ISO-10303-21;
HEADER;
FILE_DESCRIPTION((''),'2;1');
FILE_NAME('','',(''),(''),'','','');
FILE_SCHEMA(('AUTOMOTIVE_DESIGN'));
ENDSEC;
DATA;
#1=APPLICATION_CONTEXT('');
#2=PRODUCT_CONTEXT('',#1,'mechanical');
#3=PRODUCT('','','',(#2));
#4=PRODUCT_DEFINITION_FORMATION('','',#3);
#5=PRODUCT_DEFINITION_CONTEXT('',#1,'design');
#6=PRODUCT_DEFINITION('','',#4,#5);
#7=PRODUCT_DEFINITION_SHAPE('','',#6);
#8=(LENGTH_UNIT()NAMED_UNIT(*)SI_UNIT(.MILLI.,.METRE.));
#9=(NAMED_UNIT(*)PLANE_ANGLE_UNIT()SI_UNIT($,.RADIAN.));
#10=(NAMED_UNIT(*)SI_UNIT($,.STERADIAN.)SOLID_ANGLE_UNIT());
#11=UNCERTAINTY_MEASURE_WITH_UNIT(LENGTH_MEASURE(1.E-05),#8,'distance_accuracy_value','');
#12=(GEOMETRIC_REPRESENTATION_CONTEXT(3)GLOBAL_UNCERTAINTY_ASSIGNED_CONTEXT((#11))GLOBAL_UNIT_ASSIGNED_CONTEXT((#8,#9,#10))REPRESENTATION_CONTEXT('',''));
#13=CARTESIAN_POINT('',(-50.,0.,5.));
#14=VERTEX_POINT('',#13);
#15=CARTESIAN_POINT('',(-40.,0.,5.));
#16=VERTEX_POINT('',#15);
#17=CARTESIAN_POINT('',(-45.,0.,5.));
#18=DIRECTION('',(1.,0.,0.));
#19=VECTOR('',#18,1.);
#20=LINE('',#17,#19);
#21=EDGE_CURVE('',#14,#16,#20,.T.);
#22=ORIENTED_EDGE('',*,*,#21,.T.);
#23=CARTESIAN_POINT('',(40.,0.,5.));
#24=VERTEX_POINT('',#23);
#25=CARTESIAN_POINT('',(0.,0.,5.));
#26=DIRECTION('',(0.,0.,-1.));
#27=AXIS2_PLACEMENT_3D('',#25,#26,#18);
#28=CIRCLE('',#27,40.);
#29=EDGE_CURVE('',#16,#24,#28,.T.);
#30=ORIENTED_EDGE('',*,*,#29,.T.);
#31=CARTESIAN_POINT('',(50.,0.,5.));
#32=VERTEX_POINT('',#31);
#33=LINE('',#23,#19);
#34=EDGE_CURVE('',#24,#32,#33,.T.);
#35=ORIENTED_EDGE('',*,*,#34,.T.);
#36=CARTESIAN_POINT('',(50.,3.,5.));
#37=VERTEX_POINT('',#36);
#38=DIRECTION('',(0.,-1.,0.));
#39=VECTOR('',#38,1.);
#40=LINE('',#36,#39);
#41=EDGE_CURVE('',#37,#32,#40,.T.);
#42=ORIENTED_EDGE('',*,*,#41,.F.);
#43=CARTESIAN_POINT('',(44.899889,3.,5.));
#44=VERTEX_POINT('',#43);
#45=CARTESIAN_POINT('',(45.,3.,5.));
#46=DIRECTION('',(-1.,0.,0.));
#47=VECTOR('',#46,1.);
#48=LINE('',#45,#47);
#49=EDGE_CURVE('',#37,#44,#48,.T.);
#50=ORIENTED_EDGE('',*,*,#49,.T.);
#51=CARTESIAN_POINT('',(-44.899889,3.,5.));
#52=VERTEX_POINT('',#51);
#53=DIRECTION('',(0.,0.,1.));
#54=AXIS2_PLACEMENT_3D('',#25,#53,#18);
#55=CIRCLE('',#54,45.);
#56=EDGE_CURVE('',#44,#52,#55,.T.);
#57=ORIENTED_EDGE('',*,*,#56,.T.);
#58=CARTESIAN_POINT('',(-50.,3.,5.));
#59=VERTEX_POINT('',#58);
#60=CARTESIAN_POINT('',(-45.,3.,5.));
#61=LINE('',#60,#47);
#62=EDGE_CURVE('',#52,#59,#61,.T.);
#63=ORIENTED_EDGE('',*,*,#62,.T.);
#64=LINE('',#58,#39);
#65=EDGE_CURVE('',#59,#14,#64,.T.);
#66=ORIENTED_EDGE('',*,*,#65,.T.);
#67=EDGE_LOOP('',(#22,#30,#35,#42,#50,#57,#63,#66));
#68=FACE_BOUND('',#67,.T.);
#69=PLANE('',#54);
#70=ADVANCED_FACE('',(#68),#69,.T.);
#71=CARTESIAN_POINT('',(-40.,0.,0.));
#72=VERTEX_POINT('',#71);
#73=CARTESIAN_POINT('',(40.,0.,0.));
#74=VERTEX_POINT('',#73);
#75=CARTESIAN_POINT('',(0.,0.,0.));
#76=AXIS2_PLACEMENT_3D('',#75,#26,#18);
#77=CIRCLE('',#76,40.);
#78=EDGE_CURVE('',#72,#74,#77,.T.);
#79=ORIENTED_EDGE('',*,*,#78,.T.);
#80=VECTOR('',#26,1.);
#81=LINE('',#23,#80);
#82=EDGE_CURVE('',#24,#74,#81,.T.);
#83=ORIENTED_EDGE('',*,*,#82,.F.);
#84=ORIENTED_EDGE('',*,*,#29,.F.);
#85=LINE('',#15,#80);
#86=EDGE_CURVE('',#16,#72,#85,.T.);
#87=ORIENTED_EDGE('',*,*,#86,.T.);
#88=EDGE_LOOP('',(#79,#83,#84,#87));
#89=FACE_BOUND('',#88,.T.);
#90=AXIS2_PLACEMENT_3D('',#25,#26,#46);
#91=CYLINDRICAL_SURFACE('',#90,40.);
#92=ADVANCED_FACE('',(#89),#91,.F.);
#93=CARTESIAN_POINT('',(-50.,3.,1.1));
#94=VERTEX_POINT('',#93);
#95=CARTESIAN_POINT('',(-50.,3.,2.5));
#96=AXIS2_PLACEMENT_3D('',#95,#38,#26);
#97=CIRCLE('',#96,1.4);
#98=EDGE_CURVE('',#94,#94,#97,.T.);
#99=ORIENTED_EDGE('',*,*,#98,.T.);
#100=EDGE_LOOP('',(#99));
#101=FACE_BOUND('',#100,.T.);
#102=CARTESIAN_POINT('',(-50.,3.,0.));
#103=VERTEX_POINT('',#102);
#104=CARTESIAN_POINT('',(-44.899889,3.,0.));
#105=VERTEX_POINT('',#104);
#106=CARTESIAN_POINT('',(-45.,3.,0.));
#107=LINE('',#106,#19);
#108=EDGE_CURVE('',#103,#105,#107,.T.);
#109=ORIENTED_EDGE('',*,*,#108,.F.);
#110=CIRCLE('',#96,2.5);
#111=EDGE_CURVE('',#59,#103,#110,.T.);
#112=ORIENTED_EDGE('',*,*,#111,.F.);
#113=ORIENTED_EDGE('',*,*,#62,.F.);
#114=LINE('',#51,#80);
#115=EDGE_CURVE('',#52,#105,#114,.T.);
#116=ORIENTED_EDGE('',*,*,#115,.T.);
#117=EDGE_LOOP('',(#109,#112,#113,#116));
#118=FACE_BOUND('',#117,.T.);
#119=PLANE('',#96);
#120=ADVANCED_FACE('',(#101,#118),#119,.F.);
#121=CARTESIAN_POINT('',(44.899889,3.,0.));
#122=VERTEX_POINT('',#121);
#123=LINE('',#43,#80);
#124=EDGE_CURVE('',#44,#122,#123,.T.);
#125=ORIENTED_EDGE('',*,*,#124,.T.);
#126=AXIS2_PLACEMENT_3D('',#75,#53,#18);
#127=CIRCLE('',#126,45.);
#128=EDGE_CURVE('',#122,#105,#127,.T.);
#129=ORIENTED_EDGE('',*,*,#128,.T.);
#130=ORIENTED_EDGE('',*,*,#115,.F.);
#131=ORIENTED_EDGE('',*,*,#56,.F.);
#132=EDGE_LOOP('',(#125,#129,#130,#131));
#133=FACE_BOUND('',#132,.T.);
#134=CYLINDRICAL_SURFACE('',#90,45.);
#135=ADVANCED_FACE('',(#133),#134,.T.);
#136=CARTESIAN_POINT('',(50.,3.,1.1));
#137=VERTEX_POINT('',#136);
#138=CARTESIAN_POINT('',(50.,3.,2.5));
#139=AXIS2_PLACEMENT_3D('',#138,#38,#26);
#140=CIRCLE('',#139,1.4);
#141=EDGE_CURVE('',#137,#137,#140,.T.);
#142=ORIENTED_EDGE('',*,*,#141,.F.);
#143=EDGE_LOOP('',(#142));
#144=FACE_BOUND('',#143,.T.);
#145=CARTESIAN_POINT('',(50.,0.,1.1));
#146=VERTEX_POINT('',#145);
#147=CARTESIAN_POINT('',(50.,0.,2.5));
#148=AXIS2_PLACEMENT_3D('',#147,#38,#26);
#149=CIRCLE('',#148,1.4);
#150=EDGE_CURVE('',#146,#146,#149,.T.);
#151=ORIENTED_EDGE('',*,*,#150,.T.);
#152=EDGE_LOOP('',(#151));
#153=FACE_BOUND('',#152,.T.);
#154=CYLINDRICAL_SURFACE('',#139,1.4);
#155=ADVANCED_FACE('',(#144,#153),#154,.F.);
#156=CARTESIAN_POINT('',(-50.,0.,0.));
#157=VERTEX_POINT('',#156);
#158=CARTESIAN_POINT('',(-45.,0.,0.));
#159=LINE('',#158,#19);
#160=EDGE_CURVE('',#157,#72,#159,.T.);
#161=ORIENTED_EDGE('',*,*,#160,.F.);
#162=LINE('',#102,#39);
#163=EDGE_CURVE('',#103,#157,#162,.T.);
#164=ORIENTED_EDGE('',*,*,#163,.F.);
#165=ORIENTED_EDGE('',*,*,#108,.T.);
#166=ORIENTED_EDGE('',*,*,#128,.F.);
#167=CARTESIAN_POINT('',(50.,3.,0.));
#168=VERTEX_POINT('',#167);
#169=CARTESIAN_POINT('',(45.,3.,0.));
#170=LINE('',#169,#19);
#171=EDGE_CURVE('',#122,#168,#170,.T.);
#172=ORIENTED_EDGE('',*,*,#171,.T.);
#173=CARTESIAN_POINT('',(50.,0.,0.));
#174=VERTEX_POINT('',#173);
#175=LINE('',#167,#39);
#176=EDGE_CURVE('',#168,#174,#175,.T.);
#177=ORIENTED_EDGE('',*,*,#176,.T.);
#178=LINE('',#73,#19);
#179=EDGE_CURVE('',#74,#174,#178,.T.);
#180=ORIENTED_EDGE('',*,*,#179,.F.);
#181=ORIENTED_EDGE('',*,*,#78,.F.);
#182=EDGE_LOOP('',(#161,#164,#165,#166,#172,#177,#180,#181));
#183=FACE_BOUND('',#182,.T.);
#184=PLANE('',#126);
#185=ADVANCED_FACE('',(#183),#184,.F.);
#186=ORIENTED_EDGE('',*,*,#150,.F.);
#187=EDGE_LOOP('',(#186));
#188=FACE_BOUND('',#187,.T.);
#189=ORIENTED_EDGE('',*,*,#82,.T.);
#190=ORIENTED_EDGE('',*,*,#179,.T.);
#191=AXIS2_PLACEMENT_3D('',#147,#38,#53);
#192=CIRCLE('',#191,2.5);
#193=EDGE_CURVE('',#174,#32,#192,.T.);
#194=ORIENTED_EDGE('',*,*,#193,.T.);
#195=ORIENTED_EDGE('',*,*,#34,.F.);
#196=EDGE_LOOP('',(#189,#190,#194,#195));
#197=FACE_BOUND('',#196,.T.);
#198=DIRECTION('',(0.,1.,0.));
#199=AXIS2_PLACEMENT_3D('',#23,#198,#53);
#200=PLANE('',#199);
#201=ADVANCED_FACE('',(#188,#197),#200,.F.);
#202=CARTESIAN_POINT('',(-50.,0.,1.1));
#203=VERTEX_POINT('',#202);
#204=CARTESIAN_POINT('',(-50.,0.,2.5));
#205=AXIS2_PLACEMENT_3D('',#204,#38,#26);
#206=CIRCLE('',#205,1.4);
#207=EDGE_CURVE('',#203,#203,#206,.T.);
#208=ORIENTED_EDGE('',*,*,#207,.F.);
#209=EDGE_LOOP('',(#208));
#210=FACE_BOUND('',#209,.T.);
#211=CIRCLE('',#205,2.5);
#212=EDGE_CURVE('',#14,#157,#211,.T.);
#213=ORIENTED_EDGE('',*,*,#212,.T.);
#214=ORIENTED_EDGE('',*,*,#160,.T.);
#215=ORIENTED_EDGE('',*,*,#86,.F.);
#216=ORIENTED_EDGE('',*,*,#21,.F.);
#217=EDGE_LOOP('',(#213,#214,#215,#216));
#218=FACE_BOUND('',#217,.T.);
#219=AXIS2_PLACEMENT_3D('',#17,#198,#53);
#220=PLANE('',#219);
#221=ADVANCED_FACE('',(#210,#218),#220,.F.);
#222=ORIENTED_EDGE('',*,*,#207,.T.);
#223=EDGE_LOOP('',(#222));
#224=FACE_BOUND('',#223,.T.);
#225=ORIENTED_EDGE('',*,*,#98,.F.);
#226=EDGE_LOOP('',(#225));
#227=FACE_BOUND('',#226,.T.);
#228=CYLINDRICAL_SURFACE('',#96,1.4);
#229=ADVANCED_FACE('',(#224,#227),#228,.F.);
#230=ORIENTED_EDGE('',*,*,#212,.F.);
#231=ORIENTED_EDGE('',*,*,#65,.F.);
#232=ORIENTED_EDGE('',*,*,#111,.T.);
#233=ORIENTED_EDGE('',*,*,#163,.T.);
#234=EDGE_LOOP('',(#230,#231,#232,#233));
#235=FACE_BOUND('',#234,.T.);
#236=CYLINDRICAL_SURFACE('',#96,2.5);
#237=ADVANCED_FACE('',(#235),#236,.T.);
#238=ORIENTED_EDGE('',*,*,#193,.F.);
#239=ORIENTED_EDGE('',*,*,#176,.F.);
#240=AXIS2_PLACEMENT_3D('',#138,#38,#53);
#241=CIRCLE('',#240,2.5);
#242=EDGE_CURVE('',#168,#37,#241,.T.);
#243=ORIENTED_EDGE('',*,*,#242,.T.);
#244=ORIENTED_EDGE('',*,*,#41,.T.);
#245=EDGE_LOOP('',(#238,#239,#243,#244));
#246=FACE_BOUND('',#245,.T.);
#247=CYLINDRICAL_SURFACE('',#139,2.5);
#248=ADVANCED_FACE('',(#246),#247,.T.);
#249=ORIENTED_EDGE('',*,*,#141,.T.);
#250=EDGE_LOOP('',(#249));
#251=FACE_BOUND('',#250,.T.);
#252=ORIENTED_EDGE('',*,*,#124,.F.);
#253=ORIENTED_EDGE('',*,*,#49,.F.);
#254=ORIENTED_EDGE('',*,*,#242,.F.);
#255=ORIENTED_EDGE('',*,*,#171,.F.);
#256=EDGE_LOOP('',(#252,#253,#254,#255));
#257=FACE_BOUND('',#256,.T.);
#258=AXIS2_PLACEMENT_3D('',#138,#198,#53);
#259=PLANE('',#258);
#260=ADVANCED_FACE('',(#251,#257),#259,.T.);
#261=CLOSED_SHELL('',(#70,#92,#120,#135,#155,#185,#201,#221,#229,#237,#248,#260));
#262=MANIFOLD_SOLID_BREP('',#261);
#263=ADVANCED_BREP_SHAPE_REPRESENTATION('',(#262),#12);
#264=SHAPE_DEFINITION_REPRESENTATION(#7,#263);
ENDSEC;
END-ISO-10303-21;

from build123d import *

# Parameters (mm, degrees)
EXTRUDE_1_DEPTH = 5
SKETCH_2_R      = 1.4
EXTRUDE_2_DEPTH = 3


with BuildPart() as part:
    # 草图1 → 凸台-拉伸1 (new body)
    with BuildSketch(Plane.XY):
        with BuildLine():
            Line((-45, 0), (-40, 0))
            ThreePointArc((-40, 0), (0, 40), (40, 0))
            Line((40, 0), (45, 0))
            ThreePointArc((45, 0), (0, 45), (-45, 0))
        make_face()
    extrude(amount=EXTRUDE_1_DEPTH)

    # 草图2 → 凸台-拉伸2 (add)
    with BuildSketch(Plane.XZ):
        with BuildLine():
            Line((-45, 5), (-50, 5))
            ThreePointArc((-50, 5), (-52.5, 2.5), (-50, 0))
            Line((-50, 0), (-45, 0))
            Line((-45, 0), (-44.132295493, 0))
            Line((-44.132295493, 0), (-44.132295493, 5))
            Line((-44.132295493, 5), (-45, 5))
        make_face()
        with Locations((-50, 2.5)):
            Circle(SKETCH_2_R, mode=Mode.SUBTRACT)
        with BuildLine():
            Line((44.132295493, 5), (44.132295493, 0))
            Line((44.132295493, 0), (45, 0))
            Line((45, 0), (50, 0))
            ThreePointArc((50, 0), (52.5, 2.5), (50, 5))
            Line((50, 5), (45, 5))
            Line((45, 5), (44.132295493, 5))
        make_face()
        with Locations((50, 2.5)):
            Circle(SKETCH_2_R, mode=Mode.SUBTRACT)
    extrude(amount=-EXTRUDE_2_DEPTH)


solid = part.part
